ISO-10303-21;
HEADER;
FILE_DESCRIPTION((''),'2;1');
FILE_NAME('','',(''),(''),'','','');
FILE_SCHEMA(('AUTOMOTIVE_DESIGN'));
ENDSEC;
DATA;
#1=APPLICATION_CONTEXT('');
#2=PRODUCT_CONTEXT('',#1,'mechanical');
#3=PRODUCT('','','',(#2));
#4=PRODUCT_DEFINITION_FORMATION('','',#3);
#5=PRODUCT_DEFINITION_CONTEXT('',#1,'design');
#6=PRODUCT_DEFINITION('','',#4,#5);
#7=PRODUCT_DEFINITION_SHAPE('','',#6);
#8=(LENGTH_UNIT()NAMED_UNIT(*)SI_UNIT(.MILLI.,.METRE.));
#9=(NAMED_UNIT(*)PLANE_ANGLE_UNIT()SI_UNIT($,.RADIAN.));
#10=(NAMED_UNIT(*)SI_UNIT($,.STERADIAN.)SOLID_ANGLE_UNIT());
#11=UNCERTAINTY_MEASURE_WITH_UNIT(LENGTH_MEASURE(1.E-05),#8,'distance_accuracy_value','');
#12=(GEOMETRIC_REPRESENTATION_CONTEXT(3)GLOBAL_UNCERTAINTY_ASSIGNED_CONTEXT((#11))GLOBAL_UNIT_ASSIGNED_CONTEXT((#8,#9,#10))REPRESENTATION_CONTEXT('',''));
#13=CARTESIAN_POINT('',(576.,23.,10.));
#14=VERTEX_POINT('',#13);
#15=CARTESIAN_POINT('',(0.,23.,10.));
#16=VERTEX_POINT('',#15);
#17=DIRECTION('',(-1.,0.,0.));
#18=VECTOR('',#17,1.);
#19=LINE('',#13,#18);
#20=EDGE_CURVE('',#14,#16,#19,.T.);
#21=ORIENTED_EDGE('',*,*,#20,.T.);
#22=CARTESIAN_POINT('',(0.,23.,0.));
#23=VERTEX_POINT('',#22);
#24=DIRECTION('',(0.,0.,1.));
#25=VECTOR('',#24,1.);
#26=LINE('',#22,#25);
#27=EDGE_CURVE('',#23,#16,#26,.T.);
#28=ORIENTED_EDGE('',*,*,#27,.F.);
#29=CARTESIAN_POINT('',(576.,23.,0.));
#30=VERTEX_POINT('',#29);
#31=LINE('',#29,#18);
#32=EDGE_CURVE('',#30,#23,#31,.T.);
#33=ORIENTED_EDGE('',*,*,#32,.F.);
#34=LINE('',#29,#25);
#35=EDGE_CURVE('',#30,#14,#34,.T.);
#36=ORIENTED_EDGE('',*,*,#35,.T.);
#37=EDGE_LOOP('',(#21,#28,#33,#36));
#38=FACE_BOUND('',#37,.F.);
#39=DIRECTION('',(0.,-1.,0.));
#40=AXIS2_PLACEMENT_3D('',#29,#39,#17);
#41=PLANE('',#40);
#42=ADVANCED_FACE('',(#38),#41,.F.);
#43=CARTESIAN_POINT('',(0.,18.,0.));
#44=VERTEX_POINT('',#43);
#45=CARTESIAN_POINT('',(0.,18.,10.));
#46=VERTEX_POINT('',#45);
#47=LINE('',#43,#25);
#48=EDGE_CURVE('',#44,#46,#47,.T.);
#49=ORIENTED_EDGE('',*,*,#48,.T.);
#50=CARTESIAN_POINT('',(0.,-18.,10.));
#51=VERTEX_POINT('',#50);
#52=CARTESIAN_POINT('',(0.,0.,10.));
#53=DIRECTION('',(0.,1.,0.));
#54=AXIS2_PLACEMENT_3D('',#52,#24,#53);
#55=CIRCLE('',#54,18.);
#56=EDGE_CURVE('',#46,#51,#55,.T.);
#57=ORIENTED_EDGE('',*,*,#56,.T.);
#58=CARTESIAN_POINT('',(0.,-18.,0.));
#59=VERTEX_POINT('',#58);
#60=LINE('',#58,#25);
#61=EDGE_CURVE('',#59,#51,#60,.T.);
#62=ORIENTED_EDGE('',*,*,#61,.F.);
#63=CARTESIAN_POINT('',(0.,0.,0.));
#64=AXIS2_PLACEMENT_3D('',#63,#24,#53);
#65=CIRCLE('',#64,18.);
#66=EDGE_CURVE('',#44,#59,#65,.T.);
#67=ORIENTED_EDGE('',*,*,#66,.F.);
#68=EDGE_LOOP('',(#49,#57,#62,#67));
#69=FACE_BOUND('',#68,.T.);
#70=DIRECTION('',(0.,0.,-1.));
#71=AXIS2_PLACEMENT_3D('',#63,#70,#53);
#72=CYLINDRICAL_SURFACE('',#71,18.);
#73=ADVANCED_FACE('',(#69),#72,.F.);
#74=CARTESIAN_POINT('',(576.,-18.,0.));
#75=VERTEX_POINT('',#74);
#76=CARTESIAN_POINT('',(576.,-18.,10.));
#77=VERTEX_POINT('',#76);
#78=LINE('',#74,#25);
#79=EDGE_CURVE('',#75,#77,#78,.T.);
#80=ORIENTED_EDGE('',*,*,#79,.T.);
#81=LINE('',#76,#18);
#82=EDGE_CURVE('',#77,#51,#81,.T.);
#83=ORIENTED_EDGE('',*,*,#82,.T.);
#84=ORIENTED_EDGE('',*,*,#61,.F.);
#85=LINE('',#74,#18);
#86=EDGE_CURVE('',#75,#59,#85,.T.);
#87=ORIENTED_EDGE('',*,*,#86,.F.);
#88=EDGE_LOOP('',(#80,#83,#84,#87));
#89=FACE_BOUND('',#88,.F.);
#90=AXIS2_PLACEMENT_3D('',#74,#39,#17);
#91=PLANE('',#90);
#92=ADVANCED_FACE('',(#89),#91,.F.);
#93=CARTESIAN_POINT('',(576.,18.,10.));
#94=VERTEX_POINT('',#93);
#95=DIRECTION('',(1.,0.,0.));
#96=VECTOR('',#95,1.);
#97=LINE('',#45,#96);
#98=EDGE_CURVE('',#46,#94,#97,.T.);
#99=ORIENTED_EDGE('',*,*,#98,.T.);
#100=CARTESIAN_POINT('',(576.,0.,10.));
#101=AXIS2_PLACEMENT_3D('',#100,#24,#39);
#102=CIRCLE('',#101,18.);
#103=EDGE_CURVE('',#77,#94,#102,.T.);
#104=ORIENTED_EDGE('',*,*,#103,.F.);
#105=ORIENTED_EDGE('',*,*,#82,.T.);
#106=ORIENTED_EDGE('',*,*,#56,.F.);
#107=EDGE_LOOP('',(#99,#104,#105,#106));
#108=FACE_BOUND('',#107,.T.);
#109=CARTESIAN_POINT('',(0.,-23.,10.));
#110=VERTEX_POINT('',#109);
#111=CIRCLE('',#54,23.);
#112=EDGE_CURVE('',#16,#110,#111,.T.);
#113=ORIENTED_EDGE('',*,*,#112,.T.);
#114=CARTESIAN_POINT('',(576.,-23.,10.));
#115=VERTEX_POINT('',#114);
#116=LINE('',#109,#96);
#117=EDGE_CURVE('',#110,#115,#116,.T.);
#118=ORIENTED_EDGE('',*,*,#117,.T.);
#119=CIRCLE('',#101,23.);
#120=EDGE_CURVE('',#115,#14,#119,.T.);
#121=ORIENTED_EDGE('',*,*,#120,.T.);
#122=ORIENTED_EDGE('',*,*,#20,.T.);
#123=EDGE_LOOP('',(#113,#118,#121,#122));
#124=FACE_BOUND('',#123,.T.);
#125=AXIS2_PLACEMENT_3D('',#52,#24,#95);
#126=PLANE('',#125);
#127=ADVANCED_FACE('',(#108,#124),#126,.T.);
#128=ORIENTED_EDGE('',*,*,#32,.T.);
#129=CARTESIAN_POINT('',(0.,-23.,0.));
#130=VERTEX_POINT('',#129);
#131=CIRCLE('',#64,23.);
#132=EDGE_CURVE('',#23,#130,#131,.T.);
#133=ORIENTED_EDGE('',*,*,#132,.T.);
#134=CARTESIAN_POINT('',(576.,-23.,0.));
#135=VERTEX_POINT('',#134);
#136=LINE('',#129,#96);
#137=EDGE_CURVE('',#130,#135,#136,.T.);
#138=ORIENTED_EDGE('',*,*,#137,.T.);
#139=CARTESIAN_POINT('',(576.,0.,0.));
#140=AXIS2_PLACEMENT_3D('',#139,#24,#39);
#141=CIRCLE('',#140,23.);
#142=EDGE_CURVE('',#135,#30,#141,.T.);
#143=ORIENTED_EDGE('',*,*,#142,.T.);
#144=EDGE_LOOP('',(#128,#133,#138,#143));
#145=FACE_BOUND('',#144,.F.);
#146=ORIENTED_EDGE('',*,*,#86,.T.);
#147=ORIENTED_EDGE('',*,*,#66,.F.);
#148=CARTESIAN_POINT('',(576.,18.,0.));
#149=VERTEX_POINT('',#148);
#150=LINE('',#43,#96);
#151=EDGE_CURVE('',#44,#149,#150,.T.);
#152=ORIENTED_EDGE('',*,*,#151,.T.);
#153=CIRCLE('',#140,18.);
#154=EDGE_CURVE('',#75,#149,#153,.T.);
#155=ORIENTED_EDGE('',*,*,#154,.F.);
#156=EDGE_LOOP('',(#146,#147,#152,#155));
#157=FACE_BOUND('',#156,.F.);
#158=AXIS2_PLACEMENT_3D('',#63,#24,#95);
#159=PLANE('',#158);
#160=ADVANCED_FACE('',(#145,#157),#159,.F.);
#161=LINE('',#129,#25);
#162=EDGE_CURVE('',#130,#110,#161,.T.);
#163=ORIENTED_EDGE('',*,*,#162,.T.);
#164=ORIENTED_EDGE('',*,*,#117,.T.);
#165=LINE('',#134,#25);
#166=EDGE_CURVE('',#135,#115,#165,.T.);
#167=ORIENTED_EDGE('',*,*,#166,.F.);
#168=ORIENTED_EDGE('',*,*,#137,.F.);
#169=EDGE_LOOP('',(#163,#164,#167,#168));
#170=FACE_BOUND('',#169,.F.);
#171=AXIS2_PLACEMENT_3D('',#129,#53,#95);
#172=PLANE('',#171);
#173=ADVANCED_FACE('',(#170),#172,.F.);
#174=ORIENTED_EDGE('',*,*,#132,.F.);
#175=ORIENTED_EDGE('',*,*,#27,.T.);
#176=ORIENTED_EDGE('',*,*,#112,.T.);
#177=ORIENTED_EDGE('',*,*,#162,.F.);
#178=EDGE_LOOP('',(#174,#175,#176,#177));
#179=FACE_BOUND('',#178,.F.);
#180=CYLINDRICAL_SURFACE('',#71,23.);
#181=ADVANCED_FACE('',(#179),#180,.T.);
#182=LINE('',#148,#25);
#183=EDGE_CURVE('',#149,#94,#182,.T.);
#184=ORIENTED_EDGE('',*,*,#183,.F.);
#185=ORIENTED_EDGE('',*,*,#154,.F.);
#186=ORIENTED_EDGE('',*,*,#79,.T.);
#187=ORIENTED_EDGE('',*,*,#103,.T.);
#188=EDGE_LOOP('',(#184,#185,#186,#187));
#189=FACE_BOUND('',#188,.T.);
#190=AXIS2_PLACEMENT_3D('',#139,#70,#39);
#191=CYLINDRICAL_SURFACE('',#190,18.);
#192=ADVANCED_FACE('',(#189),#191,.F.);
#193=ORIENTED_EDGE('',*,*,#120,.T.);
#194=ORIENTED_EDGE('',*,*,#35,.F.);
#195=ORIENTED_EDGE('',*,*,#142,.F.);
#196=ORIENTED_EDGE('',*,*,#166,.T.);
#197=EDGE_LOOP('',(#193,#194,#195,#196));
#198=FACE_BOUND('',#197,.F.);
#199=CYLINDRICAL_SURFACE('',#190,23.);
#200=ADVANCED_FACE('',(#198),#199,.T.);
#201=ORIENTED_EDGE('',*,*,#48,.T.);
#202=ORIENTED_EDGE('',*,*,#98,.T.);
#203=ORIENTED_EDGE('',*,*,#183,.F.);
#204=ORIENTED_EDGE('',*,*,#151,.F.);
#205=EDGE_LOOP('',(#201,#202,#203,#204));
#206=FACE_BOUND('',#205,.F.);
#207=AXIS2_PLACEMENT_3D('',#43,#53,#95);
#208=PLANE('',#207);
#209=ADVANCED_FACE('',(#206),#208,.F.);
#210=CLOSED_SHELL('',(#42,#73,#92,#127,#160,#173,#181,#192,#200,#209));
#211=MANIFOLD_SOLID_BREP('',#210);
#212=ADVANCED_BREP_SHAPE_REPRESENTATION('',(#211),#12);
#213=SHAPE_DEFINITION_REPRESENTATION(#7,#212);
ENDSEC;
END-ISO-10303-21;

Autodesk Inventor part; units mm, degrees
ref_plane "YZ Plane" through (0, 0, 0) normal (1, 0, 0) x (0, 1, 0)
ref_plane "XZ Plane" through (0, 0, 0) normal (0, 1, 0) x (-1, 0, 0)
ref_plane "XY Plane" through (0, 0, 0) normal (0, 0, 1) x (1, 0, 0)
sketch "草图1" plane through (0, 0, 0) normal (0, 0, 1) x (1, 0, 0)
  arc A0 (0, 18) -> (0, -18) centre (0, 0) ccw
  arc A1 (576, -18) -> (576, 18) centre (576, 0) ccw
  line L0 (0, 18) -> (576, 18)
  line L1 (576, -18) -> (0, -18)
  line L2 (576, 23) -> (0, 23)
  arc A2 (0, 23) -> (0, -23) centre (0, 0) ccw
  line L3 (0, -23) -> (576, -23)
  arc A3 (576, -23) -> (576, 23) centre (576, 0) ccw
  dimension "d0" = 36
  dimension "d1" = 36
  dimension "d2" = 576
  dimension "d3" = 5
extrude "拉伸1" add sketch "草图1" along normal blind 10
properties part number "pidai1"
